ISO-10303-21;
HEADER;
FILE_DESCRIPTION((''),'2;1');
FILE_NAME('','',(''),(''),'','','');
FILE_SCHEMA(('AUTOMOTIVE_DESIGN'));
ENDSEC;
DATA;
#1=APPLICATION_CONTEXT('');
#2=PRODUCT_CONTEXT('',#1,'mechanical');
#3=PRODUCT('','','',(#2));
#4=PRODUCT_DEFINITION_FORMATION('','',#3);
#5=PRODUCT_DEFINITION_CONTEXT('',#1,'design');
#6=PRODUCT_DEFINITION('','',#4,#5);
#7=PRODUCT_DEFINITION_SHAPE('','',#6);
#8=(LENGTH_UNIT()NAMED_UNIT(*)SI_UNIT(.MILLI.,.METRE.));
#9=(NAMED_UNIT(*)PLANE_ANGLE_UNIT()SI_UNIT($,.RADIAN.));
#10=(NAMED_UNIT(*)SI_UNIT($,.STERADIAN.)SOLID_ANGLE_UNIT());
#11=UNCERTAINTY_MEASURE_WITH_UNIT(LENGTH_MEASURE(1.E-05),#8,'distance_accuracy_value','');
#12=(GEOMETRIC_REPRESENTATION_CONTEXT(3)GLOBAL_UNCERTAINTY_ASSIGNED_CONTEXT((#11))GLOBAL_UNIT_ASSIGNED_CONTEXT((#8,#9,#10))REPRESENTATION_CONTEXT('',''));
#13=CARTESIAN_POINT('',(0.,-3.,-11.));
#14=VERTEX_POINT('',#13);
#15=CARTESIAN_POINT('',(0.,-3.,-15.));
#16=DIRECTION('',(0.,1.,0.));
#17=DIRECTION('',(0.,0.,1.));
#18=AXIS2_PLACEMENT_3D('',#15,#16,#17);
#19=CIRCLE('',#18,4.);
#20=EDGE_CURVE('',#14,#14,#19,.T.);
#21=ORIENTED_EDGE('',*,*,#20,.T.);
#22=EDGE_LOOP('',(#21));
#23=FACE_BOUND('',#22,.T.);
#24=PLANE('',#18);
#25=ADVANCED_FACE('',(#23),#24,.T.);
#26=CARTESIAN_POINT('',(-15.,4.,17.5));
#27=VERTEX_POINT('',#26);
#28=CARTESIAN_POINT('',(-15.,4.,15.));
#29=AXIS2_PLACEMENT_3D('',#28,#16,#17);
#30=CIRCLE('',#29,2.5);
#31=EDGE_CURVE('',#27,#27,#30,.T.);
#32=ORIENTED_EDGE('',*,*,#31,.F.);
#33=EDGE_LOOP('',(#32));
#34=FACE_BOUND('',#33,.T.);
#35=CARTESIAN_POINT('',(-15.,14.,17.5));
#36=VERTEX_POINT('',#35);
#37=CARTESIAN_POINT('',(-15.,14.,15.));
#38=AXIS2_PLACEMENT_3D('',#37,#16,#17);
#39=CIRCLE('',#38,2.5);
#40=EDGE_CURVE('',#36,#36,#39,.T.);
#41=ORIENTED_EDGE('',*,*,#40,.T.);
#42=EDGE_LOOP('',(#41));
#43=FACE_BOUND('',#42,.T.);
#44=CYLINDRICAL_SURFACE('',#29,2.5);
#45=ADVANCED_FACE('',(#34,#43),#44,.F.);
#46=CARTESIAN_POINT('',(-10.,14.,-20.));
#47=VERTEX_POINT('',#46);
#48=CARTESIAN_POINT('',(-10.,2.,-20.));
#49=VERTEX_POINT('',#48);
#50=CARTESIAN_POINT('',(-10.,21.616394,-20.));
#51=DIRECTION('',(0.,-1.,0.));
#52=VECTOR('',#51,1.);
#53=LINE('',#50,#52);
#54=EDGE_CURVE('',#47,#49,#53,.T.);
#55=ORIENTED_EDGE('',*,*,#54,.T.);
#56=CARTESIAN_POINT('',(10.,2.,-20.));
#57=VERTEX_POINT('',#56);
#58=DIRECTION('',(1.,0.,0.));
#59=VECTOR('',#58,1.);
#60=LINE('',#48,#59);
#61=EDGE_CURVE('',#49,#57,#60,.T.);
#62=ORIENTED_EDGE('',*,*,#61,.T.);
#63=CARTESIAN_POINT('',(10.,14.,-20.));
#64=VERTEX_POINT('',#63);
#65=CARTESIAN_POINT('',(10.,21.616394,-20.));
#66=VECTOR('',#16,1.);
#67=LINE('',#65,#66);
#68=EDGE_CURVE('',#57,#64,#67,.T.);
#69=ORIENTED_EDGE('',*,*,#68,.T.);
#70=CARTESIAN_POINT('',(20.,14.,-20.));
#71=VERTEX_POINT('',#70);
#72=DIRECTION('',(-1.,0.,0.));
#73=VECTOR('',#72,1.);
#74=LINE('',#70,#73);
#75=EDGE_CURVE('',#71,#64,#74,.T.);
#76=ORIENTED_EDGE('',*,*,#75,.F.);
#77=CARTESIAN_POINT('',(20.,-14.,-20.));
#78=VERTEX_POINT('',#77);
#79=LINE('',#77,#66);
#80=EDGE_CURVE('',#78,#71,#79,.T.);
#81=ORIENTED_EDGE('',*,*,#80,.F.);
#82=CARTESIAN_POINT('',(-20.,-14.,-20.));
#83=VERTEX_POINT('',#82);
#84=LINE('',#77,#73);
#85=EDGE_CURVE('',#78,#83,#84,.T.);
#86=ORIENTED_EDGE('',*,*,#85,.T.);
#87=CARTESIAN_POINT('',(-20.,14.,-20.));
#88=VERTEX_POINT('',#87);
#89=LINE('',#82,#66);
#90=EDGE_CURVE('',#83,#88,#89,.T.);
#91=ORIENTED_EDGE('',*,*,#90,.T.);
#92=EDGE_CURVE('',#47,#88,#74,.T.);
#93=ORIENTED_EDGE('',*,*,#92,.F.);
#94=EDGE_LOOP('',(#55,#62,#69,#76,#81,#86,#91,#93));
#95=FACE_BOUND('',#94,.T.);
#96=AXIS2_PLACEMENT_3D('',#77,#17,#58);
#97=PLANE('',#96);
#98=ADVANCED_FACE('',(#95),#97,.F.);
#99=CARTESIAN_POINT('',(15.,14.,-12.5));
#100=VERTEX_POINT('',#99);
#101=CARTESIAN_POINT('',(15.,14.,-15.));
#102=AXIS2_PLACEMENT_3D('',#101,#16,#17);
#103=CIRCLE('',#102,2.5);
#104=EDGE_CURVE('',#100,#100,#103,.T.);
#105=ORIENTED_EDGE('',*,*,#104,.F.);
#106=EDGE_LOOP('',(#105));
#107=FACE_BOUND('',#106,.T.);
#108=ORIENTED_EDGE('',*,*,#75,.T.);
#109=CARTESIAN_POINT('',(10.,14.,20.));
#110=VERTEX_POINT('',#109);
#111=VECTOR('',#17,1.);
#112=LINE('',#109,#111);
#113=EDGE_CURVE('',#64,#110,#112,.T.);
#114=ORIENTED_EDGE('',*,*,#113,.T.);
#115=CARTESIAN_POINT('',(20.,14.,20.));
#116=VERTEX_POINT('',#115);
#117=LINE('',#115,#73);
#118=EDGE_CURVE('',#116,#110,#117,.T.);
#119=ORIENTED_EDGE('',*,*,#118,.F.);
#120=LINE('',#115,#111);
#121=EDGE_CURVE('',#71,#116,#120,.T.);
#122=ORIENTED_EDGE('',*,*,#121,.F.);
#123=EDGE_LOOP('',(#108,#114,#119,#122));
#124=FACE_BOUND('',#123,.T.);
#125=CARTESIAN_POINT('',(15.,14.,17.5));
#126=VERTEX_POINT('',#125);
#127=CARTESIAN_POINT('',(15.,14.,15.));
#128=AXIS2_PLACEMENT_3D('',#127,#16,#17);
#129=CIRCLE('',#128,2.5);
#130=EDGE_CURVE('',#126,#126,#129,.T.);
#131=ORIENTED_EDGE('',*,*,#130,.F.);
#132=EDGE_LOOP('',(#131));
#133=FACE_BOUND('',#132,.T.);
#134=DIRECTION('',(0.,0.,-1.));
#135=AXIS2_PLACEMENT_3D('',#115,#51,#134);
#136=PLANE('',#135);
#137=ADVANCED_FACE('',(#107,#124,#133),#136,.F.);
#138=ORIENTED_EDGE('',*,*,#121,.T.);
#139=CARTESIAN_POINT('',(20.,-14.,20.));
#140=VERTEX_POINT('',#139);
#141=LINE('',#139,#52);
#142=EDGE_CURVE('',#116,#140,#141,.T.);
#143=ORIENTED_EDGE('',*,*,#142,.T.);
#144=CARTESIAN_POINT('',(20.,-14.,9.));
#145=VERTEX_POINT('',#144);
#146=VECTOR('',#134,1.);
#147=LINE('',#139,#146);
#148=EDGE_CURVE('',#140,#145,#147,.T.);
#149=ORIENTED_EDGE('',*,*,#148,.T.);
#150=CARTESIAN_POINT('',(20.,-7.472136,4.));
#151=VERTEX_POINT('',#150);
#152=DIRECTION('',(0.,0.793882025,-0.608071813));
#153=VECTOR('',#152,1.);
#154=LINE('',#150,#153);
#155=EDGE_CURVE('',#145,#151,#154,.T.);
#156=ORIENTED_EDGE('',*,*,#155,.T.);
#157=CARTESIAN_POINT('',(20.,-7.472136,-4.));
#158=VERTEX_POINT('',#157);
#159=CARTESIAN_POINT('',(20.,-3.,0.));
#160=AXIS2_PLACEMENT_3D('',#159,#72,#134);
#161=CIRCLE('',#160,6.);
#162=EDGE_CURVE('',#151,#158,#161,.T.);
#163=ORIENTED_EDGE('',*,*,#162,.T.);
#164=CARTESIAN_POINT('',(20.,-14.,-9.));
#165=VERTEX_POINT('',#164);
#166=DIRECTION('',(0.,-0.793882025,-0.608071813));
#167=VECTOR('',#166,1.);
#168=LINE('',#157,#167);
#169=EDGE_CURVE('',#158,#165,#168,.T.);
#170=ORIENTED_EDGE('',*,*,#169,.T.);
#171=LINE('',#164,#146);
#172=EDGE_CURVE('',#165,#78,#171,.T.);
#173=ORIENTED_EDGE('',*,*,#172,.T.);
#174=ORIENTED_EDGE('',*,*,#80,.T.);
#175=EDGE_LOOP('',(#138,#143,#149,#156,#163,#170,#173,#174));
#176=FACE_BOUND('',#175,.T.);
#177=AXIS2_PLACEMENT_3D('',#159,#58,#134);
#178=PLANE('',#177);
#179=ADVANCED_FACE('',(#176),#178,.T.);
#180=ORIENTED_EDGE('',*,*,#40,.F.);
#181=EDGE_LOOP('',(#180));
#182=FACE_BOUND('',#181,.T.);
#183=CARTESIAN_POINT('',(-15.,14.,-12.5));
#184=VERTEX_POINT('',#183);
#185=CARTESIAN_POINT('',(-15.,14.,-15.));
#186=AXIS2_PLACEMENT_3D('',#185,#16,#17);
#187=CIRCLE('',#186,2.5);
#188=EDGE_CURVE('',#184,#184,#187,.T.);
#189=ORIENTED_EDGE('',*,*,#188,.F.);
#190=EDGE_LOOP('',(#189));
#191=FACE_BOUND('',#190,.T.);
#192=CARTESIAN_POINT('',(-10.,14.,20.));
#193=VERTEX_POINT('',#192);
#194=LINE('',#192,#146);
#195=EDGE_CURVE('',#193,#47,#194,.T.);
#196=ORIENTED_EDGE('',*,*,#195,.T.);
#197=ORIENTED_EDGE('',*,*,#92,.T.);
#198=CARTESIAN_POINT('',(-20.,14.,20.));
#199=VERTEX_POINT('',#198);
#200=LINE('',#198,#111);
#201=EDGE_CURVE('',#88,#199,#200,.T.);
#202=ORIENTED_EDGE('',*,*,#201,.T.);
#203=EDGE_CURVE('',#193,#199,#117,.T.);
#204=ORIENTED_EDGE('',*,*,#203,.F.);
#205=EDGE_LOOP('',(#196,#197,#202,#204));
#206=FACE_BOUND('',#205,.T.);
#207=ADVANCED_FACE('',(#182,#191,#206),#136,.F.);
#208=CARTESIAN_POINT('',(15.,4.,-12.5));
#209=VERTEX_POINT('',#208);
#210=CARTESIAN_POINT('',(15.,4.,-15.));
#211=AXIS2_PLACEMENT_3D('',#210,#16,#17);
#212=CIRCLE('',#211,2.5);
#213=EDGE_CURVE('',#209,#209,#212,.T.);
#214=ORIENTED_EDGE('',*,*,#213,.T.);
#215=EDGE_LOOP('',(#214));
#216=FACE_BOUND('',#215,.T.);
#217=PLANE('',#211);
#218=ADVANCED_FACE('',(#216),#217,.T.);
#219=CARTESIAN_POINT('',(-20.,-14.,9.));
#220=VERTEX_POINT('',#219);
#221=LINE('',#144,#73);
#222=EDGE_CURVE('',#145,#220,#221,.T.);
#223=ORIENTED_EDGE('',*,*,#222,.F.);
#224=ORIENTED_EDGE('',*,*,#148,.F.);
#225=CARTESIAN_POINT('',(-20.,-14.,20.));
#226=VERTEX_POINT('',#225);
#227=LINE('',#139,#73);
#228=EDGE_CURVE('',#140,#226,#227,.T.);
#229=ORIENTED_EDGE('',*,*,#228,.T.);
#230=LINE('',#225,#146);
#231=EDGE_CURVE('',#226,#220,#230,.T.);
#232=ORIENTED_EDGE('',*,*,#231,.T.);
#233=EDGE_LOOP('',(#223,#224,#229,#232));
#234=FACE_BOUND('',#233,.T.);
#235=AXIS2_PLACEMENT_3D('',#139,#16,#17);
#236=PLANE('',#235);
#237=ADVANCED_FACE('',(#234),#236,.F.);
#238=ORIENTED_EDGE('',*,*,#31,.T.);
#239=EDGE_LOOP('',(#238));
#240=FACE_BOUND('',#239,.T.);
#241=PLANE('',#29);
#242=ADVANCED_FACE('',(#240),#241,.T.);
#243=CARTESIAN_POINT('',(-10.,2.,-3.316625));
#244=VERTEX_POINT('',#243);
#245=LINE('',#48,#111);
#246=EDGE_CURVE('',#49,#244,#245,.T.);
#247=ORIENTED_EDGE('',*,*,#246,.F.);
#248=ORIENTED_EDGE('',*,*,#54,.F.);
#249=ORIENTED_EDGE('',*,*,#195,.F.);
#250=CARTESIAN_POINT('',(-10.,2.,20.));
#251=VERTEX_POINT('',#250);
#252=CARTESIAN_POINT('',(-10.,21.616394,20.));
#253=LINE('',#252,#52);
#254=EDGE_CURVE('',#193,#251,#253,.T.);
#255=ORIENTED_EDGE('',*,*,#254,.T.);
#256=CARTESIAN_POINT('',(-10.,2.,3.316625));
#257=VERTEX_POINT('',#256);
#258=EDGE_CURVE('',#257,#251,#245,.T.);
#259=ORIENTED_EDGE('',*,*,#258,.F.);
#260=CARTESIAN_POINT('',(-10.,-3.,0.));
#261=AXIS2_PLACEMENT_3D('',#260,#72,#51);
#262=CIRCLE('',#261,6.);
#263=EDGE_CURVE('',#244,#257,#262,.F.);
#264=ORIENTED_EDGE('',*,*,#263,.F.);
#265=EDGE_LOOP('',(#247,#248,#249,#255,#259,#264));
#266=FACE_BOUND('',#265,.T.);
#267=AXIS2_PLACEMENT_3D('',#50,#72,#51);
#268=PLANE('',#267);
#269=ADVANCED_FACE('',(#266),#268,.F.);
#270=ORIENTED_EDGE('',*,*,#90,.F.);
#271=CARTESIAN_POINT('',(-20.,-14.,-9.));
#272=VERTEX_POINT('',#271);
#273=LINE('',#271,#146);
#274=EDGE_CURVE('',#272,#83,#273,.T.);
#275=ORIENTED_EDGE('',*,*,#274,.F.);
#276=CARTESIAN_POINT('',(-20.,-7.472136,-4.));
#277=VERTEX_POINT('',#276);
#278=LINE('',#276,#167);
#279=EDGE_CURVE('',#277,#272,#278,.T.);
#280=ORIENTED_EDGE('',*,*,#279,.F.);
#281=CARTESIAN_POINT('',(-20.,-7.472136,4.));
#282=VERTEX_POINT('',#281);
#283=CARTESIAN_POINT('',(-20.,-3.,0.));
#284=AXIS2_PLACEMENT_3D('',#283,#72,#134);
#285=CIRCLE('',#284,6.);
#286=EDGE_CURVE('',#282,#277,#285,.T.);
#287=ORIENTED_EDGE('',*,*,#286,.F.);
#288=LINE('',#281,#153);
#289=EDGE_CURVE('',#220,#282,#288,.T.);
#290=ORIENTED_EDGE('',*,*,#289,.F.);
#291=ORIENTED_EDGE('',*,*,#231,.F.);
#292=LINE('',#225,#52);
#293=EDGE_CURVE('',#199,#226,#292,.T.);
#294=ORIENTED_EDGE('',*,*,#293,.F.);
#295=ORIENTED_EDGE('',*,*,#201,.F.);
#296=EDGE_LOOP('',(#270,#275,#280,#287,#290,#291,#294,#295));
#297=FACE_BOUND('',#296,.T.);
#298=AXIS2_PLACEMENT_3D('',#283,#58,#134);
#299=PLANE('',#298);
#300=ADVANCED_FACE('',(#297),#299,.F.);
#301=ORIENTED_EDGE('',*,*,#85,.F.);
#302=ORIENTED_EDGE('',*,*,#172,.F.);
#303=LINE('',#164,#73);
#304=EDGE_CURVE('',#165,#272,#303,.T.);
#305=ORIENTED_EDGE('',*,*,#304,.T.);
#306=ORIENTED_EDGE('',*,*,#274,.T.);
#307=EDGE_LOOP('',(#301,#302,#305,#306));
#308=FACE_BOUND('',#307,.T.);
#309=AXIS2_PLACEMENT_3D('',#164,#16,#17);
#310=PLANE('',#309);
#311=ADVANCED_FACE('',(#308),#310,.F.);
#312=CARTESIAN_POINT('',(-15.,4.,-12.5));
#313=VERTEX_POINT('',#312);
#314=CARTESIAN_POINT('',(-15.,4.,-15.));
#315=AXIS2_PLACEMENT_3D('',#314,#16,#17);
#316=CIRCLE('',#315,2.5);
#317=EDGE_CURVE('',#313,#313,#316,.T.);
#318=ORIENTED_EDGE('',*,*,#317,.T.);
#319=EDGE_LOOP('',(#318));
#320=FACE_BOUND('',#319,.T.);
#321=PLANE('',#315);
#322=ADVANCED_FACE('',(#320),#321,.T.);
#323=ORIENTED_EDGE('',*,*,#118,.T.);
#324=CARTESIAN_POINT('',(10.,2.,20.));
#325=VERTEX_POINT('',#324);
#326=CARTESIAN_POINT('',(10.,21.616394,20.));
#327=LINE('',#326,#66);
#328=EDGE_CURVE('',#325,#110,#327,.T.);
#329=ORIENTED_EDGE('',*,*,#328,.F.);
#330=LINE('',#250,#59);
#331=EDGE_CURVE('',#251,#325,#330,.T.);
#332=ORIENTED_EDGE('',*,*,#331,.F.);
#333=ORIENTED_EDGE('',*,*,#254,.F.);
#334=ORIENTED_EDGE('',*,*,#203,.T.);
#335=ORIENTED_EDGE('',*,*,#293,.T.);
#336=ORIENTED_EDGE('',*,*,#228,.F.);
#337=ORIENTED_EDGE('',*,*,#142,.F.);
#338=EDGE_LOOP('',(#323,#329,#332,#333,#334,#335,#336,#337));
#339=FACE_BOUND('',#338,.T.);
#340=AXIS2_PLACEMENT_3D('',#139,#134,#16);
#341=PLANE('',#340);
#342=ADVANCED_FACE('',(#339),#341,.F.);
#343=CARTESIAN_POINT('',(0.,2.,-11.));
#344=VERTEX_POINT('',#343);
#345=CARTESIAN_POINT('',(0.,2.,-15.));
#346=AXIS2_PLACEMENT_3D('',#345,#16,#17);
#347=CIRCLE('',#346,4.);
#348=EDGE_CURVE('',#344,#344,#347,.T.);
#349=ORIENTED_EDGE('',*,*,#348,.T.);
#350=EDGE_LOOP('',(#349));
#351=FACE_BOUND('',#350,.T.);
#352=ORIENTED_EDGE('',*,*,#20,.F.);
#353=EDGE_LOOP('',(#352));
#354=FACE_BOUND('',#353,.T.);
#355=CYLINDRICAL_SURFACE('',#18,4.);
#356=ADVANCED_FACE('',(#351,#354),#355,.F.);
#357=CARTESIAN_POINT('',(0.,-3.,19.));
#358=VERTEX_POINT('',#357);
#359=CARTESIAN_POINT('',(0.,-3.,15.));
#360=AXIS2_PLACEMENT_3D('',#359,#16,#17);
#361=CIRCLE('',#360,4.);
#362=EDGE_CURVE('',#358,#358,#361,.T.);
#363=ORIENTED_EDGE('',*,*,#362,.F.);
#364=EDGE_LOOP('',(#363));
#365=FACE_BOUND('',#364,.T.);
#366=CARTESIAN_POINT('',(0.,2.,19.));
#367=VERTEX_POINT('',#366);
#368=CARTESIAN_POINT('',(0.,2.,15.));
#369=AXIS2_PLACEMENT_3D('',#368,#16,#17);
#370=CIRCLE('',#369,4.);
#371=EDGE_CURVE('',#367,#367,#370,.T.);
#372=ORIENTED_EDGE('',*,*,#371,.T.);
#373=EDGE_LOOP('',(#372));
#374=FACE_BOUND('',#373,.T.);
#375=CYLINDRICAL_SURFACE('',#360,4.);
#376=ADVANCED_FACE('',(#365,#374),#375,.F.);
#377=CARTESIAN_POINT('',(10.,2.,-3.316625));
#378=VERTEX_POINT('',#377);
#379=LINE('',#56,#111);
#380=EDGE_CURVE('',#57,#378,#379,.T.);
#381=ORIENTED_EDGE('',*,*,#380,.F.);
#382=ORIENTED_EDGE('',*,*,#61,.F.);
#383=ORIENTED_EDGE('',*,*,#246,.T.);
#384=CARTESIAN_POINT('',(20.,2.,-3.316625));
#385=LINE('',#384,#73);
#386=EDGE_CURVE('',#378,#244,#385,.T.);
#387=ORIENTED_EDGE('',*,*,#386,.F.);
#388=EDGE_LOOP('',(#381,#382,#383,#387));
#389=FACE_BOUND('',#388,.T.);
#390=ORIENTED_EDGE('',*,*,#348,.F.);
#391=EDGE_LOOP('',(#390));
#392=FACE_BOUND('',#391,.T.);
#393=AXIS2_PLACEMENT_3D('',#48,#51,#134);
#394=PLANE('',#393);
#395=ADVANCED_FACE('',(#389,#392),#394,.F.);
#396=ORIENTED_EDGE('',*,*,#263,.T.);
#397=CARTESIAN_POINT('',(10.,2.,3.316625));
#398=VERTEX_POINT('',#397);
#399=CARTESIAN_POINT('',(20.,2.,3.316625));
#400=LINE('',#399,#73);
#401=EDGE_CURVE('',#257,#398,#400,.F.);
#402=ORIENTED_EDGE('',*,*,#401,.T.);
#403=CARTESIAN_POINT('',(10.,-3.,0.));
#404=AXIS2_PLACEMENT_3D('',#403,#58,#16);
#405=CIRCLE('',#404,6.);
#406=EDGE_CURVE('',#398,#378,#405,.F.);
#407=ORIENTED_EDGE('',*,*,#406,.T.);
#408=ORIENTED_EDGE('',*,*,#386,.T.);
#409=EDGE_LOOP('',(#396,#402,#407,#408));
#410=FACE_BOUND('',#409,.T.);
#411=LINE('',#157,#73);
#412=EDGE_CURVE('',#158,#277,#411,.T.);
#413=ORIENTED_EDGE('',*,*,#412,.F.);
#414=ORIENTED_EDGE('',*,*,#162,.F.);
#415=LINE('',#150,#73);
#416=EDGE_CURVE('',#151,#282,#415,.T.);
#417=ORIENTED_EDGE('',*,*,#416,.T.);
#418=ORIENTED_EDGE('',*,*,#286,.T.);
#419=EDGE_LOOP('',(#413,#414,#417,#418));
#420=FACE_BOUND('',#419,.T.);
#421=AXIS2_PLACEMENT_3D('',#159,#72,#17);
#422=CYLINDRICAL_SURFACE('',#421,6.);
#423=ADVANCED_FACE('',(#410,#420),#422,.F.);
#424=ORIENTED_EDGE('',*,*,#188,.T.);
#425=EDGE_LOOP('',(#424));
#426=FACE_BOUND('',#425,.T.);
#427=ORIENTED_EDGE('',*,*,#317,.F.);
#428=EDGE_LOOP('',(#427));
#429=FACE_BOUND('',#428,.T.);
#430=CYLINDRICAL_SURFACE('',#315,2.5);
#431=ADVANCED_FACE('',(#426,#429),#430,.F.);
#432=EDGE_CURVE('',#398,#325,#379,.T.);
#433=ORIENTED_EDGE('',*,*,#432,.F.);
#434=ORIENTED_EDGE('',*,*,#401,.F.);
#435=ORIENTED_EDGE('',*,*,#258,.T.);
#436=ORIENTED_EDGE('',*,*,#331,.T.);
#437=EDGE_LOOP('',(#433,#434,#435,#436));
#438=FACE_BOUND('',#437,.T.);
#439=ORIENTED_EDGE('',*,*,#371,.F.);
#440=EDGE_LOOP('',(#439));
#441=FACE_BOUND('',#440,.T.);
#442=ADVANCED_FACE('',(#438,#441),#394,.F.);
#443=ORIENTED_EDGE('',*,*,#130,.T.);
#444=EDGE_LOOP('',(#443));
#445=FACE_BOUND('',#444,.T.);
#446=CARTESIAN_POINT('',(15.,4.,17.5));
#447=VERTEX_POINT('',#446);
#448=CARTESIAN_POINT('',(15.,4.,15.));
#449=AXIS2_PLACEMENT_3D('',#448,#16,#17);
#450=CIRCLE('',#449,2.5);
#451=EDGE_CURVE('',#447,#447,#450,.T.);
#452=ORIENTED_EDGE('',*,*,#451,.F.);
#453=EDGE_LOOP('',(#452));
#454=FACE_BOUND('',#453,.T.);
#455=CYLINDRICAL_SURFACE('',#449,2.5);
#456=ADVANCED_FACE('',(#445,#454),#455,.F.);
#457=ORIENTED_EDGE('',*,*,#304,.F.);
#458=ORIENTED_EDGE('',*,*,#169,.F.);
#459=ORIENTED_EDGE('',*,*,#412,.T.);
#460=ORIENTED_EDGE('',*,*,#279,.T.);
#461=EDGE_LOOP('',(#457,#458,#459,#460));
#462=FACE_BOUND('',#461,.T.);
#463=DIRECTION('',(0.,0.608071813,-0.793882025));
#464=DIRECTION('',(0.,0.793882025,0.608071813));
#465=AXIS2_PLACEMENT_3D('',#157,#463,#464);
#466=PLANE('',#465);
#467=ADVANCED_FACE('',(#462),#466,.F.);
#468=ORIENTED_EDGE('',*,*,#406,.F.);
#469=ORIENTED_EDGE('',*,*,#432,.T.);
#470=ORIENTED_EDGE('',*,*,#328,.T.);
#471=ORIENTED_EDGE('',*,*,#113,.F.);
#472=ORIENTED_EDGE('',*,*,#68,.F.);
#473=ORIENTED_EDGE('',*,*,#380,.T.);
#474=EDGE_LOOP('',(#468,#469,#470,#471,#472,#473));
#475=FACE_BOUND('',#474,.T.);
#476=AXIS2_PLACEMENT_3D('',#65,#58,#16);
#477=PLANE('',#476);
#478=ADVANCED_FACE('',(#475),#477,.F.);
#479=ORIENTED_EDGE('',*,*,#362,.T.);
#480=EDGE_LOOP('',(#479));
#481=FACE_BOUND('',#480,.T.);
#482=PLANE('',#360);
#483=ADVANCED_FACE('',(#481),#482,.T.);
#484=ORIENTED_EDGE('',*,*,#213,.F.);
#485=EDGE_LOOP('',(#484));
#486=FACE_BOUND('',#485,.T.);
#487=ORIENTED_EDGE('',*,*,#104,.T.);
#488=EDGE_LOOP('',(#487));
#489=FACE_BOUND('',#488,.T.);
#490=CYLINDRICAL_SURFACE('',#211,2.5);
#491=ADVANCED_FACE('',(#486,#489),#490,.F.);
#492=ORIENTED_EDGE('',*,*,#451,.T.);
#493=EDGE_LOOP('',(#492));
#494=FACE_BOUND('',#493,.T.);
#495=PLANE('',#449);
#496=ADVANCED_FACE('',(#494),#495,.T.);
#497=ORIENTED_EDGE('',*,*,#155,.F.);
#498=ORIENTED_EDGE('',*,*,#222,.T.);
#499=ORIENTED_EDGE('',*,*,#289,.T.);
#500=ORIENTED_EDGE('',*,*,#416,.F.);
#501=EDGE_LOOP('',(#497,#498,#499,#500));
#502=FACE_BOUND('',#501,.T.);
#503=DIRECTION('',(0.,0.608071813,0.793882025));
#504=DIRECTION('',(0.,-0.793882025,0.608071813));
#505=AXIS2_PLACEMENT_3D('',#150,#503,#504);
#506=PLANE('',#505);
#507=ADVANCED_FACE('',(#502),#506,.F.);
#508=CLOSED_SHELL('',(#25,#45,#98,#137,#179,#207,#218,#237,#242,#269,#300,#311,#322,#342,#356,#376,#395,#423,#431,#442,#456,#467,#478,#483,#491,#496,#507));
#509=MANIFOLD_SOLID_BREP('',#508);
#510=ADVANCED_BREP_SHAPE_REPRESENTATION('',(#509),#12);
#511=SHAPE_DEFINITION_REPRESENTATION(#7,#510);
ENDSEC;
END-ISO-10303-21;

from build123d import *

# Parameters (mm, degrees)
EXTRUDE_1_DEPTH          = 20
CUT_EXTRUDE_1_DEPTH      = 32.559467676
CUT_EXTRUDE_1_DEPTH_BACK = 32.559467676
SKETCH_2_W               = 20
SKETCH_2_H               = 19.616393828
SKETCH_3_R               = 4
CUT_EXTRUDE_2_DEPTH      = 5
SKETCH_4_R               = 2.5
CUT_EXTRUDE_3_DEPTH      = 10


with BuildPart() as part:
    # Эскиз1 → Бобышка-Вытянуть1 (new, symmetric)
    with BuildSketch(Plane(origin=(0, 0, 0), x_dir=(0, 0, -1), z_dir=(1, 0, 0))):
        with BuildLine():
            Line((-4, -7.472135955), (-9, -14))
            Line((-9, -14), (-20, -14))
            Line((-20, -14), (-20, 14))
            Line((-20, 14), (20, 14))
            Line((20, 14), (20, -14))
            Line((20, -14), (9, -14))
            Line((9, -14), (4, -7.472135955))
            ThreePointArc((4, -7.472135955), (0, 3), (-4, -7.472135955))
        make_face()
    extrude(amount=EXTRUDE_1_DEPTH, both=True)

    # Эскиз2 → Вырез-Вытянуть1 (cut, two sides: drawn at the far end of the back side and taken through both)
    with BuildSketch(Plane.XY.offset(-CUT_EXTRUDE_1_DEPTH_BACK)):
        with Locations((0, 11.808196914)):
            Rectangle(SKETCH_2_W, SKETCH_2_H)
    extrude(amount=CUT_EXTRUDE_1_DEPTH + CUT_EXTRUDE_1_DEPTH_BACK, mode=Mode.SUBTRACT)

    # Эскиз3 → Вырез-Вытянуть2 (cut)
    with BuildSketch(Plane(origin=(0, 2, 0), x_dir=(1, 0, 0), z_dir=(0, 1, 0))):
        with Locations(Location((0, 15, 0), (0, 0, 270))):
            Circle(SKETCH_3_R)
        with Locations(Location((0, -15, 0), (0, 0, 270))):
            Circle(SKETCH_3_R)
    extrude(amount=-CUT_EXTRUDE_2_DEPTH, mode=Mode.SUBTRACT)

    # Эскиз4 → Вырез-Вытянуть3 (cut)
    with BuildSketch(Plane(origin=(0, 14, 0), x_dir=(1, 0, 0), z_dir=(0, 1, 0))):
        with Locations(Location((-15, 15, 0), (0, 0, 270))):
            Circle(SKETCH_4_R)
        with Locations(Location((-15, -15, 0), (0, 0, 270))):
            Circle(SKETCH_4_R)
        with Locations(Location((15, -15, 0), (0, 0, 270))):
            Circle(SKETCH_4_R)
        with Locations(Location((15, 15, 0), (0, 0, 270))):
            Circle(SKETCH_4_R)
    extrude(amount=-CUT_EXTRUDE_3_DEPTH, mode=Mode.SUBTRACT)


solid = part.part
